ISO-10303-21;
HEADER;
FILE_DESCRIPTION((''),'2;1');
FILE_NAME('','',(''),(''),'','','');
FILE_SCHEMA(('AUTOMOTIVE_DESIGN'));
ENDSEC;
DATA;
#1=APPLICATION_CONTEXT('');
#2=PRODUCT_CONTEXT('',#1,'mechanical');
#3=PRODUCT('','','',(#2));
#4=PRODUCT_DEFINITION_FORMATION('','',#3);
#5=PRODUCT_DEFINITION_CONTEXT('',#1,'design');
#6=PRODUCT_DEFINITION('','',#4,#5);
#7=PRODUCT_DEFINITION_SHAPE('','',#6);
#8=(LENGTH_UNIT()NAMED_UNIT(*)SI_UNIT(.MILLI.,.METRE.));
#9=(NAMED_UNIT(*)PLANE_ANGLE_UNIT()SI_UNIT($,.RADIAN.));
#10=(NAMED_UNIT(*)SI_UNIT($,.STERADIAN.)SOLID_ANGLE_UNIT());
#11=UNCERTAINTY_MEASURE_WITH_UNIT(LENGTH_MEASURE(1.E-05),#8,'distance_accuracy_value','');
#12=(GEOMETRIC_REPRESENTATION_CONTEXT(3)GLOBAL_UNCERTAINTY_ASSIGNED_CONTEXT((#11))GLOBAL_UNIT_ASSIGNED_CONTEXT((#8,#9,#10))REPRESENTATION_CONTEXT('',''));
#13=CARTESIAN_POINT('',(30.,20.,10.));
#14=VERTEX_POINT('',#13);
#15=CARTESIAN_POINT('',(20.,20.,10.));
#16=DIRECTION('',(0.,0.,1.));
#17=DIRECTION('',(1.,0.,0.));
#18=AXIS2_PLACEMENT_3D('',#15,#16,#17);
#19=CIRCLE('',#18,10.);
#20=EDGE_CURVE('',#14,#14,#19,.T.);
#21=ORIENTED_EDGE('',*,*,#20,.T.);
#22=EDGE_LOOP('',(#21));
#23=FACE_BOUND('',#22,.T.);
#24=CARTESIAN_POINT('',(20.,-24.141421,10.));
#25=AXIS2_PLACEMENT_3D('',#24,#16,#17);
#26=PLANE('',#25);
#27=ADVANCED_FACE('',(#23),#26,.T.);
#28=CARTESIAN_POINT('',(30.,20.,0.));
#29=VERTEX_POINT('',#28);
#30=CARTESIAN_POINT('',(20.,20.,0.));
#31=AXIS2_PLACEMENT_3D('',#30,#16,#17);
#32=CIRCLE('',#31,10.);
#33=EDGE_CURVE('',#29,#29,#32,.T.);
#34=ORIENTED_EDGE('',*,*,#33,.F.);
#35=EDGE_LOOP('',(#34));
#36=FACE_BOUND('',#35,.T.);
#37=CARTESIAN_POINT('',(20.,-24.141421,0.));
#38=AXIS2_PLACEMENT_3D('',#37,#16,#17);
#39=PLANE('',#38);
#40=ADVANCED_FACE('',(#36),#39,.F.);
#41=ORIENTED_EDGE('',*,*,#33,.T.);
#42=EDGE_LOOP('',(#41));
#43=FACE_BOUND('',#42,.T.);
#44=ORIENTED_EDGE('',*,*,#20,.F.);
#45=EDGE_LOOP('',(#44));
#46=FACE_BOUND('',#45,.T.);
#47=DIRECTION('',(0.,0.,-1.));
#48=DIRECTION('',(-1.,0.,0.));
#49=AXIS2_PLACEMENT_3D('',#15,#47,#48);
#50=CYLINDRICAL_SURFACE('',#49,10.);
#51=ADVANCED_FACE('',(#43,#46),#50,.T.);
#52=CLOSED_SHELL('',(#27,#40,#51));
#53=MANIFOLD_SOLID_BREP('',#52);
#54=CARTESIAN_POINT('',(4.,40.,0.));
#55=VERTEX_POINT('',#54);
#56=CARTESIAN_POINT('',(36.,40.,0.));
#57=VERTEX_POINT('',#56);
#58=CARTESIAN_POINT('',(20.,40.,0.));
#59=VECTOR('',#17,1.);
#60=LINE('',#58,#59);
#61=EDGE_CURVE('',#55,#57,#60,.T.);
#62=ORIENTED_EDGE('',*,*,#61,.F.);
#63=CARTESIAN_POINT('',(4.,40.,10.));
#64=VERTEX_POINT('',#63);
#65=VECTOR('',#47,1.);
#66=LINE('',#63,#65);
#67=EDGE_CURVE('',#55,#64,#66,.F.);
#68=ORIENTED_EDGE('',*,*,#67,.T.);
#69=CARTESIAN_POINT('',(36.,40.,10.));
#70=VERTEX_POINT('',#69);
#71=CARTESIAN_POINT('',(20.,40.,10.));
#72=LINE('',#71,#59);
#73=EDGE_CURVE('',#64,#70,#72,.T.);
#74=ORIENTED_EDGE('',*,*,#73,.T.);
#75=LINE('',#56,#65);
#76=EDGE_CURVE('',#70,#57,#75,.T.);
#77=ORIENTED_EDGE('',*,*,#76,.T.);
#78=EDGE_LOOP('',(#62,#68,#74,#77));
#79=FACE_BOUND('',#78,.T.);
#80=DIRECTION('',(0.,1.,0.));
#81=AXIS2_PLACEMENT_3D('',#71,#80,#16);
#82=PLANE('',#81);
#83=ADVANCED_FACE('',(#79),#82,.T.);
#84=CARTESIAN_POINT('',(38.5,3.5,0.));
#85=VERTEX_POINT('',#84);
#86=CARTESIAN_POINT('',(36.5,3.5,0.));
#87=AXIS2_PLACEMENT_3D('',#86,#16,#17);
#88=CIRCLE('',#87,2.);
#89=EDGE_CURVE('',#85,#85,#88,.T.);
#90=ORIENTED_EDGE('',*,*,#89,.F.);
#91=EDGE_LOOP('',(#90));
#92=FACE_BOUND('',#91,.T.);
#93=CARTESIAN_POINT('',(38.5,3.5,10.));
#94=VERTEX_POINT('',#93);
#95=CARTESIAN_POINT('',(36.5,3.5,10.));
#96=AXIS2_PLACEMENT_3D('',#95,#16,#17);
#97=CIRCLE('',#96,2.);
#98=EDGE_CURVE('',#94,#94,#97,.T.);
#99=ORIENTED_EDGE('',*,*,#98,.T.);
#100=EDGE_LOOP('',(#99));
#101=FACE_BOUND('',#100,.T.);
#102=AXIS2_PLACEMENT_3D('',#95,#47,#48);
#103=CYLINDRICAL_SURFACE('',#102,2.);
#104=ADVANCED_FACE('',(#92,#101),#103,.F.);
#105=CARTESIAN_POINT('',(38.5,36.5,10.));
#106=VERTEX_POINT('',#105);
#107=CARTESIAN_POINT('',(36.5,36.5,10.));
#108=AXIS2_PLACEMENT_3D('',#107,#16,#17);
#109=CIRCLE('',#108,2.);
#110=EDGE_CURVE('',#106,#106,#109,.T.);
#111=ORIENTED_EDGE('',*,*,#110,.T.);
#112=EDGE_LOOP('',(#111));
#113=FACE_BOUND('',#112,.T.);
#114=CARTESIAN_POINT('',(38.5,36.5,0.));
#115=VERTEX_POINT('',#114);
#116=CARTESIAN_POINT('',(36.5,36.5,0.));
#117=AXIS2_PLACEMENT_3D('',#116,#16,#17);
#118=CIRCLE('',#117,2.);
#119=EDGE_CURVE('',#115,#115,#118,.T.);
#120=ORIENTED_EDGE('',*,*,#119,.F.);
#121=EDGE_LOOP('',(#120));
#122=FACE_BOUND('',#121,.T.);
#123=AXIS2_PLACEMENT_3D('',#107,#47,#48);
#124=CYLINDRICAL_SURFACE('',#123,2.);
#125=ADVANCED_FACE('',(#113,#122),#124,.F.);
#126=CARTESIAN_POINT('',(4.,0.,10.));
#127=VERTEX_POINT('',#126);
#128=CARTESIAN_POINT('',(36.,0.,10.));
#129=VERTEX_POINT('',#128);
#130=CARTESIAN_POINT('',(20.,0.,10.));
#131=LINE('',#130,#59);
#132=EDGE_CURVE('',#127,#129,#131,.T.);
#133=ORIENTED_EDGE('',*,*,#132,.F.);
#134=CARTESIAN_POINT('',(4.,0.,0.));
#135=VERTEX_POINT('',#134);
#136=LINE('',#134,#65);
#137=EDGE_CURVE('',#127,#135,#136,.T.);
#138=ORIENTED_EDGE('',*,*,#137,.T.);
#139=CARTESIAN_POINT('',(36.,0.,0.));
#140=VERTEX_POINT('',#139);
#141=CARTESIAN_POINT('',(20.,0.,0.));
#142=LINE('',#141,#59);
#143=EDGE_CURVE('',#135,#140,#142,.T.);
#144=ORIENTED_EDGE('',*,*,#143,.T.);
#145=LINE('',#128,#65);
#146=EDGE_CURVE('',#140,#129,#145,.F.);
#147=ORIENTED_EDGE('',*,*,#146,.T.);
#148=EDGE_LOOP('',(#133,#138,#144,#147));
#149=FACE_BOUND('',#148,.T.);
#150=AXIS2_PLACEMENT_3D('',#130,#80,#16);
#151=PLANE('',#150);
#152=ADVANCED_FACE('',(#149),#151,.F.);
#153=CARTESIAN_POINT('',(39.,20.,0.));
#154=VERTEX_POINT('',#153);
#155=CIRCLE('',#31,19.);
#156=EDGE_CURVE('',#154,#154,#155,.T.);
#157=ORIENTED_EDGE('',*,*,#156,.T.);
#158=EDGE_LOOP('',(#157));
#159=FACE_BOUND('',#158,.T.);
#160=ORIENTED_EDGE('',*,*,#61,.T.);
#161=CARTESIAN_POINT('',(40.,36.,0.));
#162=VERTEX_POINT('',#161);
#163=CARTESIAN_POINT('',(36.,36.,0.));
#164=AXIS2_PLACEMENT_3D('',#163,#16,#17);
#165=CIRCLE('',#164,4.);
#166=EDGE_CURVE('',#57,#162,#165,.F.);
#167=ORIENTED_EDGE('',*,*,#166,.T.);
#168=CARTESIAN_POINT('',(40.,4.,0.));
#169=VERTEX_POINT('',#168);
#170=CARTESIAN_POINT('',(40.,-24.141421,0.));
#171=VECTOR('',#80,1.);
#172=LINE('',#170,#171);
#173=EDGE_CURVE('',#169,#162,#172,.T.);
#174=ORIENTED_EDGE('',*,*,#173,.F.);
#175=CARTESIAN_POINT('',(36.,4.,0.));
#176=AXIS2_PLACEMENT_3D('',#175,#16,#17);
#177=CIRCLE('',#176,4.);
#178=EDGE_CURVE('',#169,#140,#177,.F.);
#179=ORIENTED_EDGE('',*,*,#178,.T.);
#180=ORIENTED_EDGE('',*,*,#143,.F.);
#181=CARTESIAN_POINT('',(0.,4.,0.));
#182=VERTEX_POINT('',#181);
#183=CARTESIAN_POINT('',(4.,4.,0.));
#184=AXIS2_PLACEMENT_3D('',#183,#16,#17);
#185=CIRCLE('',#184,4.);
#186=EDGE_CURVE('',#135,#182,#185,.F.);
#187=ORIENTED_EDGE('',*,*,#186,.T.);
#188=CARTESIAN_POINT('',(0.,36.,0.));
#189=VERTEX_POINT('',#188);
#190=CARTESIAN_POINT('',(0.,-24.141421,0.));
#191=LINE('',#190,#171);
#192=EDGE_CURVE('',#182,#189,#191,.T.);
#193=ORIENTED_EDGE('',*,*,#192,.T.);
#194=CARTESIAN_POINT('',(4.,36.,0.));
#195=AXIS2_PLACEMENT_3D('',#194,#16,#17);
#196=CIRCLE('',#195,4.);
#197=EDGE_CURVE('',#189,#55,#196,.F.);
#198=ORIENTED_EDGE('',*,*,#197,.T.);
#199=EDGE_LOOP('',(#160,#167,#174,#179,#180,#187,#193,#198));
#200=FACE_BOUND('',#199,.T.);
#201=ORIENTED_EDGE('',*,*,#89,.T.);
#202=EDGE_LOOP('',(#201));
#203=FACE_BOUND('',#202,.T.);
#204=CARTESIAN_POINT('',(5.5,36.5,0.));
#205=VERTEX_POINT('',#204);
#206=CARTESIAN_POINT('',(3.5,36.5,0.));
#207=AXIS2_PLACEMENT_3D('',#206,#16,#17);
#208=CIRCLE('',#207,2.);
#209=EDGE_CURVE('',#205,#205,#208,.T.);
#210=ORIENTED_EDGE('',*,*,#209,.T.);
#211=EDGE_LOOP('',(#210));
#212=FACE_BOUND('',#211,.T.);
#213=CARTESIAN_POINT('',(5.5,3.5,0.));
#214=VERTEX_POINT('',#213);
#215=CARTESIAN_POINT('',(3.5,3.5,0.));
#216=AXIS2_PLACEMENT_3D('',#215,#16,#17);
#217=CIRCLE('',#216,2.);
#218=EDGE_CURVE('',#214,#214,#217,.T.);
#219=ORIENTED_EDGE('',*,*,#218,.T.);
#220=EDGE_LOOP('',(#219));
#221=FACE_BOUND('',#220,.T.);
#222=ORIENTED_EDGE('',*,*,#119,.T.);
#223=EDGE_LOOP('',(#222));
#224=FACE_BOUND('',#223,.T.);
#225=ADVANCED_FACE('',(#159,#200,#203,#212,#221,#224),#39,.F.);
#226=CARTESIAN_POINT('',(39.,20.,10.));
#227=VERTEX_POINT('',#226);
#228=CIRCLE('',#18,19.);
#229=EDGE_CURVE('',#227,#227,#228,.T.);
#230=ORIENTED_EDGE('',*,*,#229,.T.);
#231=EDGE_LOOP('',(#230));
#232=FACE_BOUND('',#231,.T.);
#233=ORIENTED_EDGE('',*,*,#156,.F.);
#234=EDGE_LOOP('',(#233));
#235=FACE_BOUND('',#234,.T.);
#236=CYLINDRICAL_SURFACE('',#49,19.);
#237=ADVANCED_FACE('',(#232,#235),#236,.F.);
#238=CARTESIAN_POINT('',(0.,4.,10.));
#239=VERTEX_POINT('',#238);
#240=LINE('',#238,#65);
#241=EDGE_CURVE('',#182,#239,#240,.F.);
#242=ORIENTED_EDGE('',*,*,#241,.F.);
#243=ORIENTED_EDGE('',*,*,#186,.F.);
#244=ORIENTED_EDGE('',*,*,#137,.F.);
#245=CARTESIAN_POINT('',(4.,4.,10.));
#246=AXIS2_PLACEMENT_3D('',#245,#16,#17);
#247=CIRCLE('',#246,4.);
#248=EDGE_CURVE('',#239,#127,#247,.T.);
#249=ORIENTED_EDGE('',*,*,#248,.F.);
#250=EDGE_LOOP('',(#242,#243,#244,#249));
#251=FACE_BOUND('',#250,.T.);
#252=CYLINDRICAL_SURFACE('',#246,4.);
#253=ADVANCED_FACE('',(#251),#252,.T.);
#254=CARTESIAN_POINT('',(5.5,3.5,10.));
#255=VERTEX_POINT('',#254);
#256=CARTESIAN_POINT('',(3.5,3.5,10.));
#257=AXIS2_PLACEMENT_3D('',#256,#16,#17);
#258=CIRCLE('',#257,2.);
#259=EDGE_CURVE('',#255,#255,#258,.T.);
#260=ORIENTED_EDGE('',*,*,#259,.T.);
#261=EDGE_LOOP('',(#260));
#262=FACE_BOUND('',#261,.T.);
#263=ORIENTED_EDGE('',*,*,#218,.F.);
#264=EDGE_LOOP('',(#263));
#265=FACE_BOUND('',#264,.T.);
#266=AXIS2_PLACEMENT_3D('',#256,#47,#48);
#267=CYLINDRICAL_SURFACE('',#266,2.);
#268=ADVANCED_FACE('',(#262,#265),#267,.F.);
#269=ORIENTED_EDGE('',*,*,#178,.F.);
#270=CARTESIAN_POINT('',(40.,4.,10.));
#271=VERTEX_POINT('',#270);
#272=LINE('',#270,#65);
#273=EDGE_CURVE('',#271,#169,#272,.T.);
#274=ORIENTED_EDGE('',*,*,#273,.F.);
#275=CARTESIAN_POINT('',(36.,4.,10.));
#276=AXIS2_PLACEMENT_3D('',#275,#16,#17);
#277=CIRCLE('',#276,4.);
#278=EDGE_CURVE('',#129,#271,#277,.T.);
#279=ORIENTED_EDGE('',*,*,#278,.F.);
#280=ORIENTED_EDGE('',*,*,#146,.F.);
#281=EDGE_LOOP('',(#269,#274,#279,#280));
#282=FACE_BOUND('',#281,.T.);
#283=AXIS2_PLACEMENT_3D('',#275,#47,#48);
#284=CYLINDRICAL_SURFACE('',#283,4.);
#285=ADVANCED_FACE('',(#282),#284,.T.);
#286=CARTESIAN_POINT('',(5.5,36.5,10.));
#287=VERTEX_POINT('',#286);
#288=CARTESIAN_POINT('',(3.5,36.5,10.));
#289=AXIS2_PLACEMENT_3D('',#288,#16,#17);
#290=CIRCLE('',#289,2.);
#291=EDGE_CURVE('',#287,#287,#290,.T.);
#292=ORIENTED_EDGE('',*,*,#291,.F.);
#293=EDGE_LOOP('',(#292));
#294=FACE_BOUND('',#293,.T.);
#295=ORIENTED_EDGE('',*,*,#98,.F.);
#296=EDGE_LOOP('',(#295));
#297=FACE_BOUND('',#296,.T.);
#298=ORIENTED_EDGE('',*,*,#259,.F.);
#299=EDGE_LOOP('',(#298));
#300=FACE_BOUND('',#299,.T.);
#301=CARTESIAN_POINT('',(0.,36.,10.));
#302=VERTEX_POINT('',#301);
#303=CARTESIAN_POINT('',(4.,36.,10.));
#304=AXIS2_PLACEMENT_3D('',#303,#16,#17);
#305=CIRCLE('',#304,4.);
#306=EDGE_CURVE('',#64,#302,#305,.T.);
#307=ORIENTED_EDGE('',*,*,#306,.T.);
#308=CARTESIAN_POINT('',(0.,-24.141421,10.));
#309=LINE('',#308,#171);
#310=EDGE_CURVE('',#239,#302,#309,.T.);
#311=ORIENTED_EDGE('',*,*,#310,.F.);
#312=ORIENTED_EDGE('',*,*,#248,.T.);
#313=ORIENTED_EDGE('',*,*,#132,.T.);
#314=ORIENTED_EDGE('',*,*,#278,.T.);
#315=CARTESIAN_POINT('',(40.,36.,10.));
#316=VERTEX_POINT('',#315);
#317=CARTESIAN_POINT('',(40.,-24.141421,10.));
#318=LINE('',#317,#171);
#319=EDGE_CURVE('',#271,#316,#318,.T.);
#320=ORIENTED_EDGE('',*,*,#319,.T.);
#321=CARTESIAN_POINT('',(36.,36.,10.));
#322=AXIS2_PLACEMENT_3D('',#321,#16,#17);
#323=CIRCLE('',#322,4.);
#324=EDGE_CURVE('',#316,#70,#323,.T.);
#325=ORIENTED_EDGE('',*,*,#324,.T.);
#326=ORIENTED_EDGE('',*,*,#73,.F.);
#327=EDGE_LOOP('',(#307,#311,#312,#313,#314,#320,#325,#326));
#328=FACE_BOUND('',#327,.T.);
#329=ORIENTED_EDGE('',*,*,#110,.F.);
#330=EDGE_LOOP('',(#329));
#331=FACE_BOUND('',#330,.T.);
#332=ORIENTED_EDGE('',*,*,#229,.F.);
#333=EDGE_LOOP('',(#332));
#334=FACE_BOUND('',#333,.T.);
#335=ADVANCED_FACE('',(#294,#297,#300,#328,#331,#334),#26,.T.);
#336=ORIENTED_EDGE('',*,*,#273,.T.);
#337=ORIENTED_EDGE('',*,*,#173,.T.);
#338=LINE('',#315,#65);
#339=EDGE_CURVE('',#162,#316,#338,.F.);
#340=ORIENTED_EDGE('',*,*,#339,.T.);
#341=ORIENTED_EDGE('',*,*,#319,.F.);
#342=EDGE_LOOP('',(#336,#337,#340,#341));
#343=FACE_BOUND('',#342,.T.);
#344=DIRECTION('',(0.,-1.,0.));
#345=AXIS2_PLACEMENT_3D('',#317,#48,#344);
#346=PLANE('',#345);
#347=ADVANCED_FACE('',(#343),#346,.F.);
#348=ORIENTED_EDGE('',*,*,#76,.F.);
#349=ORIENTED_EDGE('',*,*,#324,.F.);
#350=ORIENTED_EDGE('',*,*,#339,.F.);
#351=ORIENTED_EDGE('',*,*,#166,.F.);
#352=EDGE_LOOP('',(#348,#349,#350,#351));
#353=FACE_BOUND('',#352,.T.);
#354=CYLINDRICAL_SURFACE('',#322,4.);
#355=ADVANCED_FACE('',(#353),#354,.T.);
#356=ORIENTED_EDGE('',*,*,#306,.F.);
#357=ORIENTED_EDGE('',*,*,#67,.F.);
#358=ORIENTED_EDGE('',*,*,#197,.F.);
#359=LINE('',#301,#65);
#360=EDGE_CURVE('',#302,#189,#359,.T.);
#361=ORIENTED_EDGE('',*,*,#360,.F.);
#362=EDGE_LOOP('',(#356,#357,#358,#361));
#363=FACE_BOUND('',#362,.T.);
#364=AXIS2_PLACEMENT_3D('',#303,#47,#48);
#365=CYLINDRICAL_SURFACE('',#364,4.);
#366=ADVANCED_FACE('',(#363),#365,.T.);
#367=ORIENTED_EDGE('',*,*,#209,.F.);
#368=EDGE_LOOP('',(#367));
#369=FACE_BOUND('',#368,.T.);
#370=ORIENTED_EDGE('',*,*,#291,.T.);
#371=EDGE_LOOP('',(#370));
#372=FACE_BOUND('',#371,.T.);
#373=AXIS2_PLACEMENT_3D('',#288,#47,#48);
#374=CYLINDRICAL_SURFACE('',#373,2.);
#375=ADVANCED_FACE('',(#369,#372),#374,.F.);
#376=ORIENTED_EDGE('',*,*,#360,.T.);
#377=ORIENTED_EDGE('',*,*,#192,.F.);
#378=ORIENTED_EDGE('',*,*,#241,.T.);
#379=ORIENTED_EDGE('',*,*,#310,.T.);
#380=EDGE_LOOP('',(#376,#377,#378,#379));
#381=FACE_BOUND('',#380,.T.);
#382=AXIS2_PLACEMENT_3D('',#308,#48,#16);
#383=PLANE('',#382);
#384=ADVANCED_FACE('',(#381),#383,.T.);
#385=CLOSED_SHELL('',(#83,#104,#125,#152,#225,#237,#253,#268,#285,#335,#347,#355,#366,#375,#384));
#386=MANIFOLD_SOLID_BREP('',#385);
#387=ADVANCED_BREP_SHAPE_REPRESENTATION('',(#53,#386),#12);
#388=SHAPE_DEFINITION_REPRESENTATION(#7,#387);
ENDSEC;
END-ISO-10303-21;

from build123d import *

# Parameters (mm, degrees)
SKETCH1_W             = 40
SKETCH1_H             = 40
SKETCH1_R             = 2
SKETCH1_R_2           = 19
BOSS_EXTRUDE1_DEPTH   = 10
SKETCH1_R_3           = 10
BOSS_EXTRUDE1_2_DEPTH = 10
FILLET1_R             = 4


with BuildPart() as part:
    # Sketch1 → Boss-Extrude1 (new body)
    with BuildSketch(Plane.XY):
        with Locations((20, 20)):
            Rectangle(SKETCH1_W, SKETCH1_H)
        with Locations((3.5, 36.5)):
            Circle(SKETCH1_R, mode=Mode.SUBTRACT)
        with Locations((3.5, 3.5)):
            Circle(SKETCH1_R, mode=Mode.SUBTRACT)
        with Locations((36.5, 3.5)):
            Circle(SKETCH1_R, mode=Mode.SUBTRACT)
        with Locations((36.5, 36.5)):
            Circle(SKETCH1_R, mode=Mode.SUBTRACT)
        with Locations((20, 20)):
            Circle(SKETCH1_R_2, mode=Mode.SUBTRACT)
    extrude(amount=BOSS_EXTRUDE1_DEPTH)

    # Fillet1
    fillet1_edges = [part.edges().sort_by_distance(p)[0] for p in [
        (0, 0, 5),
        (0, 40, 5),
        (40, 40, 5),
        (40, 0, 5),
    ]]
    fillet(fillet1_edges, radius=FILLET1_R)


with BuildPart() as body_2:
    # Sketch1 → Boss-Extrude1 2 (new body)
    with BuildSketch(Plane.XY):
        with Locations((20, 20)):
            Circle(SKETCH1_R_3)
    extrude(amount=BOSS_EXTRUDE1_2_DEPTH)


solid = Compound([part.part, body_2.part])
